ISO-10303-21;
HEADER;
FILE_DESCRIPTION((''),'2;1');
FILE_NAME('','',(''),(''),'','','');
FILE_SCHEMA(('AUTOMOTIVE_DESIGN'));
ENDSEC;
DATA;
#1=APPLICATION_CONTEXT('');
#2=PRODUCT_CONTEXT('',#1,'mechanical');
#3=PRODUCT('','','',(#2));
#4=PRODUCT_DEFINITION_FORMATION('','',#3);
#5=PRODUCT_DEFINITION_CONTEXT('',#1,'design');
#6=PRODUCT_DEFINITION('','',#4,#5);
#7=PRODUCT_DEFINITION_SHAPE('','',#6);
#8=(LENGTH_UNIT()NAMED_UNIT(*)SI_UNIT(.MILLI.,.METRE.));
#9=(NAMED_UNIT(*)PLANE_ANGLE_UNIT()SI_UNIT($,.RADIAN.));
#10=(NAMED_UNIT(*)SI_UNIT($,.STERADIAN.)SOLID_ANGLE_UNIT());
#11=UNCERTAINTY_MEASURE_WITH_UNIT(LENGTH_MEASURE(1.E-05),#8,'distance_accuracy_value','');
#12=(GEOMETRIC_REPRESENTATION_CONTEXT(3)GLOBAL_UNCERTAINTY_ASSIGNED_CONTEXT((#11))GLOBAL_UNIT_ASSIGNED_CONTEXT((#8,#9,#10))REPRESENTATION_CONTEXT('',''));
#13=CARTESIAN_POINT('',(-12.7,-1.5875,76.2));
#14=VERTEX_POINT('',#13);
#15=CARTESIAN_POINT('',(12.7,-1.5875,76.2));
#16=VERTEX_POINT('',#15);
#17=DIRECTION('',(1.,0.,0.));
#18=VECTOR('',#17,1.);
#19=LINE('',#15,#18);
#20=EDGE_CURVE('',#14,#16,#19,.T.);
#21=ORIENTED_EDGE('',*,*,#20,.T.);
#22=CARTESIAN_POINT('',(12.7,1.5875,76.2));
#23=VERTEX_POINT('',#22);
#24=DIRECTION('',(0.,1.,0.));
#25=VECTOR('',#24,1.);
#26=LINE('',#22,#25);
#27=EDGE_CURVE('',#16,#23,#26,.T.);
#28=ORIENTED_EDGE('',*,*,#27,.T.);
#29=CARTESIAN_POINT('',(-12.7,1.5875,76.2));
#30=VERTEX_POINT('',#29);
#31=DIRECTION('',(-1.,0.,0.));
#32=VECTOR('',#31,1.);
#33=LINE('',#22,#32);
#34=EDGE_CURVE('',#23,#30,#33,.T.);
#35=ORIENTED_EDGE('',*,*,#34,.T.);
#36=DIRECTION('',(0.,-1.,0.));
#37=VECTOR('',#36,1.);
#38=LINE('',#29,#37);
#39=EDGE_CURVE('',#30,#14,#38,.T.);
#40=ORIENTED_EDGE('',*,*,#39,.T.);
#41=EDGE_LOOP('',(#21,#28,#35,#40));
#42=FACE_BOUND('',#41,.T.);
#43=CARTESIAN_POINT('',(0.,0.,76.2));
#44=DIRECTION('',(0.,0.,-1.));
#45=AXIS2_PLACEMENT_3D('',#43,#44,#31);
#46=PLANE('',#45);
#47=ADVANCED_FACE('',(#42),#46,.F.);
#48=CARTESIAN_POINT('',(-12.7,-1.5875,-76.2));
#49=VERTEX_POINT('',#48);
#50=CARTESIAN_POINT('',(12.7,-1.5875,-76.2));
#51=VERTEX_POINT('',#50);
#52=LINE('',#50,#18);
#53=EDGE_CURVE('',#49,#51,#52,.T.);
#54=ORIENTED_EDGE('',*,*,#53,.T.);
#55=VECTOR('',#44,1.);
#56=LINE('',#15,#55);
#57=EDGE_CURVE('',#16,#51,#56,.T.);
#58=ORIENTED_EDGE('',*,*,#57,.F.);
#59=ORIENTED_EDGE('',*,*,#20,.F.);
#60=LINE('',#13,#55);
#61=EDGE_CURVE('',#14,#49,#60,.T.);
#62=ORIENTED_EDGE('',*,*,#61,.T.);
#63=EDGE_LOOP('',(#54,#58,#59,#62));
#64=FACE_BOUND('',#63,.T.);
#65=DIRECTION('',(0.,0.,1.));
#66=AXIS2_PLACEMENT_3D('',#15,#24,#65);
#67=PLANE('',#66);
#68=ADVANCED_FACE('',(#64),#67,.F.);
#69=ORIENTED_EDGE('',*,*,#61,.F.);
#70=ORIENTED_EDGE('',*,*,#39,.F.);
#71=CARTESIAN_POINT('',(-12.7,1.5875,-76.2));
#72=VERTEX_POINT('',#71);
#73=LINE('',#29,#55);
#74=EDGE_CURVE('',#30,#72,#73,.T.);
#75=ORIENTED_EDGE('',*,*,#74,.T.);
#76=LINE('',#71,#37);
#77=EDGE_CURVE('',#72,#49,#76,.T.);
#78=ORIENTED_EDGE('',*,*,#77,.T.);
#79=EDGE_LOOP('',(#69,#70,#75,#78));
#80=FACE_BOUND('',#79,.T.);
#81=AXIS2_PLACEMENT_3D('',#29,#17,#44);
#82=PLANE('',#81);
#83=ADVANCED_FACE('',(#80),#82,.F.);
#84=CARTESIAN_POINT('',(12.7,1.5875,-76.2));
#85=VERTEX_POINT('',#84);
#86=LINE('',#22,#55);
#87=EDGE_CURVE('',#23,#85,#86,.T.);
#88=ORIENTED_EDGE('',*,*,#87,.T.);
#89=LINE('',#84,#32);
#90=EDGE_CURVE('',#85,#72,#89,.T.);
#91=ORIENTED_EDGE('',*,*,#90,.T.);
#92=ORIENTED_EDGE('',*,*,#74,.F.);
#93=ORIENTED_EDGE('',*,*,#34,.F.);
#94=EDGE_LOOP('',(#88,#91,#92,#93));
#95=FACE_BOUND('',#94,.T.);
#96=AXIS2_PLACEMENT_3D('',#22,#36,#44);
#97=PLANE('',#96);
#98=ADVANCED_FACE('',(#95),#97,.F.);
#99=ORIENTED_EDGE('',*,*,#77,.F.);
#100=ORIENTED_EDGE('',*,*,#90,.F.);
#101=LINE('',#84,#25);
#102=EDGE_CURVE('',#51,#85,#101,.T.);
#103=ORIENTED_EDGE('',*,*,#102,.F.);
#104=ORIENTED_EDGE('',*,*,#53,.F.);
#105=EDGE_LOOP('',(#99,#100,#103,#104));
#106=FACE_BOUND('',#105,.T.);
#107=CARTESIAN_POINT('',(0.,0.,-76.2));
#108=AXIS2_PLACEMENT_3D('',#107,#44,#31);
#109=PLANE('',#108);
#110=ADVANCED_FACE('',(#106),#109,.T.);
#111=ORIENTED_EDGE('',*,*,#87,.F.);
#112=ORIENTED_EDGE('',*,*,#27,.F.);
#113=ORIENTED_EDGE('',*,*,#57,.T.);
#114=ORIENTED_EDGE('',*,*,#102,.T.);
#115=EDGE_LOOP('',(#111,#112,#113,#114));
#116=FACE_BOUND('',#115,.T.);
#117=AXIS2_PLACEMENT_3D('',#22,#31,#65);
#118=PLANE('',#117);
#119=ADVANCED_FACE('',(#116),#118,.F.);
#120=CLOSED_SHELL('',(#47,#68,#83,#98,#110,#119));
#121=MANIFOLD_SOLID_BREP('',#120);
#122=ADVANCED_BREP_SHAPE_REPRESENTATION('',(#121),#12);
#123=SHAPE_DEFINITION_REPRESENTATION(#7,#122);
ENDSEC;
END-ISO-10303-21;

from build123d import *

# Parameters (mm, degrees)
BOSS_EXTRUDE1_DEPTH      = 76.2
BOSS_EXTRUDE1_DEPTH_BACK = 76.2
SKETCH3_W                = 25.4
SKETCH3_H                = 3.175


with BuildPart() as part:
    # Sketch3 → Boss-Extrude1 (new, two sides: drawn at the far end of the back side and taken through both)
    with BuildSketch(Plane.XY.offset(-BOSS_EXTRUDE1_DEPTH_BACK)):
        Rectangle(SKETCH3_W, SKETCH3_H)
    extrude(amount=BOSS_EXTRUDE1_DEPTH + BOSS_EXTRUDE1_DEPTH_BACK)


solid = part.part
